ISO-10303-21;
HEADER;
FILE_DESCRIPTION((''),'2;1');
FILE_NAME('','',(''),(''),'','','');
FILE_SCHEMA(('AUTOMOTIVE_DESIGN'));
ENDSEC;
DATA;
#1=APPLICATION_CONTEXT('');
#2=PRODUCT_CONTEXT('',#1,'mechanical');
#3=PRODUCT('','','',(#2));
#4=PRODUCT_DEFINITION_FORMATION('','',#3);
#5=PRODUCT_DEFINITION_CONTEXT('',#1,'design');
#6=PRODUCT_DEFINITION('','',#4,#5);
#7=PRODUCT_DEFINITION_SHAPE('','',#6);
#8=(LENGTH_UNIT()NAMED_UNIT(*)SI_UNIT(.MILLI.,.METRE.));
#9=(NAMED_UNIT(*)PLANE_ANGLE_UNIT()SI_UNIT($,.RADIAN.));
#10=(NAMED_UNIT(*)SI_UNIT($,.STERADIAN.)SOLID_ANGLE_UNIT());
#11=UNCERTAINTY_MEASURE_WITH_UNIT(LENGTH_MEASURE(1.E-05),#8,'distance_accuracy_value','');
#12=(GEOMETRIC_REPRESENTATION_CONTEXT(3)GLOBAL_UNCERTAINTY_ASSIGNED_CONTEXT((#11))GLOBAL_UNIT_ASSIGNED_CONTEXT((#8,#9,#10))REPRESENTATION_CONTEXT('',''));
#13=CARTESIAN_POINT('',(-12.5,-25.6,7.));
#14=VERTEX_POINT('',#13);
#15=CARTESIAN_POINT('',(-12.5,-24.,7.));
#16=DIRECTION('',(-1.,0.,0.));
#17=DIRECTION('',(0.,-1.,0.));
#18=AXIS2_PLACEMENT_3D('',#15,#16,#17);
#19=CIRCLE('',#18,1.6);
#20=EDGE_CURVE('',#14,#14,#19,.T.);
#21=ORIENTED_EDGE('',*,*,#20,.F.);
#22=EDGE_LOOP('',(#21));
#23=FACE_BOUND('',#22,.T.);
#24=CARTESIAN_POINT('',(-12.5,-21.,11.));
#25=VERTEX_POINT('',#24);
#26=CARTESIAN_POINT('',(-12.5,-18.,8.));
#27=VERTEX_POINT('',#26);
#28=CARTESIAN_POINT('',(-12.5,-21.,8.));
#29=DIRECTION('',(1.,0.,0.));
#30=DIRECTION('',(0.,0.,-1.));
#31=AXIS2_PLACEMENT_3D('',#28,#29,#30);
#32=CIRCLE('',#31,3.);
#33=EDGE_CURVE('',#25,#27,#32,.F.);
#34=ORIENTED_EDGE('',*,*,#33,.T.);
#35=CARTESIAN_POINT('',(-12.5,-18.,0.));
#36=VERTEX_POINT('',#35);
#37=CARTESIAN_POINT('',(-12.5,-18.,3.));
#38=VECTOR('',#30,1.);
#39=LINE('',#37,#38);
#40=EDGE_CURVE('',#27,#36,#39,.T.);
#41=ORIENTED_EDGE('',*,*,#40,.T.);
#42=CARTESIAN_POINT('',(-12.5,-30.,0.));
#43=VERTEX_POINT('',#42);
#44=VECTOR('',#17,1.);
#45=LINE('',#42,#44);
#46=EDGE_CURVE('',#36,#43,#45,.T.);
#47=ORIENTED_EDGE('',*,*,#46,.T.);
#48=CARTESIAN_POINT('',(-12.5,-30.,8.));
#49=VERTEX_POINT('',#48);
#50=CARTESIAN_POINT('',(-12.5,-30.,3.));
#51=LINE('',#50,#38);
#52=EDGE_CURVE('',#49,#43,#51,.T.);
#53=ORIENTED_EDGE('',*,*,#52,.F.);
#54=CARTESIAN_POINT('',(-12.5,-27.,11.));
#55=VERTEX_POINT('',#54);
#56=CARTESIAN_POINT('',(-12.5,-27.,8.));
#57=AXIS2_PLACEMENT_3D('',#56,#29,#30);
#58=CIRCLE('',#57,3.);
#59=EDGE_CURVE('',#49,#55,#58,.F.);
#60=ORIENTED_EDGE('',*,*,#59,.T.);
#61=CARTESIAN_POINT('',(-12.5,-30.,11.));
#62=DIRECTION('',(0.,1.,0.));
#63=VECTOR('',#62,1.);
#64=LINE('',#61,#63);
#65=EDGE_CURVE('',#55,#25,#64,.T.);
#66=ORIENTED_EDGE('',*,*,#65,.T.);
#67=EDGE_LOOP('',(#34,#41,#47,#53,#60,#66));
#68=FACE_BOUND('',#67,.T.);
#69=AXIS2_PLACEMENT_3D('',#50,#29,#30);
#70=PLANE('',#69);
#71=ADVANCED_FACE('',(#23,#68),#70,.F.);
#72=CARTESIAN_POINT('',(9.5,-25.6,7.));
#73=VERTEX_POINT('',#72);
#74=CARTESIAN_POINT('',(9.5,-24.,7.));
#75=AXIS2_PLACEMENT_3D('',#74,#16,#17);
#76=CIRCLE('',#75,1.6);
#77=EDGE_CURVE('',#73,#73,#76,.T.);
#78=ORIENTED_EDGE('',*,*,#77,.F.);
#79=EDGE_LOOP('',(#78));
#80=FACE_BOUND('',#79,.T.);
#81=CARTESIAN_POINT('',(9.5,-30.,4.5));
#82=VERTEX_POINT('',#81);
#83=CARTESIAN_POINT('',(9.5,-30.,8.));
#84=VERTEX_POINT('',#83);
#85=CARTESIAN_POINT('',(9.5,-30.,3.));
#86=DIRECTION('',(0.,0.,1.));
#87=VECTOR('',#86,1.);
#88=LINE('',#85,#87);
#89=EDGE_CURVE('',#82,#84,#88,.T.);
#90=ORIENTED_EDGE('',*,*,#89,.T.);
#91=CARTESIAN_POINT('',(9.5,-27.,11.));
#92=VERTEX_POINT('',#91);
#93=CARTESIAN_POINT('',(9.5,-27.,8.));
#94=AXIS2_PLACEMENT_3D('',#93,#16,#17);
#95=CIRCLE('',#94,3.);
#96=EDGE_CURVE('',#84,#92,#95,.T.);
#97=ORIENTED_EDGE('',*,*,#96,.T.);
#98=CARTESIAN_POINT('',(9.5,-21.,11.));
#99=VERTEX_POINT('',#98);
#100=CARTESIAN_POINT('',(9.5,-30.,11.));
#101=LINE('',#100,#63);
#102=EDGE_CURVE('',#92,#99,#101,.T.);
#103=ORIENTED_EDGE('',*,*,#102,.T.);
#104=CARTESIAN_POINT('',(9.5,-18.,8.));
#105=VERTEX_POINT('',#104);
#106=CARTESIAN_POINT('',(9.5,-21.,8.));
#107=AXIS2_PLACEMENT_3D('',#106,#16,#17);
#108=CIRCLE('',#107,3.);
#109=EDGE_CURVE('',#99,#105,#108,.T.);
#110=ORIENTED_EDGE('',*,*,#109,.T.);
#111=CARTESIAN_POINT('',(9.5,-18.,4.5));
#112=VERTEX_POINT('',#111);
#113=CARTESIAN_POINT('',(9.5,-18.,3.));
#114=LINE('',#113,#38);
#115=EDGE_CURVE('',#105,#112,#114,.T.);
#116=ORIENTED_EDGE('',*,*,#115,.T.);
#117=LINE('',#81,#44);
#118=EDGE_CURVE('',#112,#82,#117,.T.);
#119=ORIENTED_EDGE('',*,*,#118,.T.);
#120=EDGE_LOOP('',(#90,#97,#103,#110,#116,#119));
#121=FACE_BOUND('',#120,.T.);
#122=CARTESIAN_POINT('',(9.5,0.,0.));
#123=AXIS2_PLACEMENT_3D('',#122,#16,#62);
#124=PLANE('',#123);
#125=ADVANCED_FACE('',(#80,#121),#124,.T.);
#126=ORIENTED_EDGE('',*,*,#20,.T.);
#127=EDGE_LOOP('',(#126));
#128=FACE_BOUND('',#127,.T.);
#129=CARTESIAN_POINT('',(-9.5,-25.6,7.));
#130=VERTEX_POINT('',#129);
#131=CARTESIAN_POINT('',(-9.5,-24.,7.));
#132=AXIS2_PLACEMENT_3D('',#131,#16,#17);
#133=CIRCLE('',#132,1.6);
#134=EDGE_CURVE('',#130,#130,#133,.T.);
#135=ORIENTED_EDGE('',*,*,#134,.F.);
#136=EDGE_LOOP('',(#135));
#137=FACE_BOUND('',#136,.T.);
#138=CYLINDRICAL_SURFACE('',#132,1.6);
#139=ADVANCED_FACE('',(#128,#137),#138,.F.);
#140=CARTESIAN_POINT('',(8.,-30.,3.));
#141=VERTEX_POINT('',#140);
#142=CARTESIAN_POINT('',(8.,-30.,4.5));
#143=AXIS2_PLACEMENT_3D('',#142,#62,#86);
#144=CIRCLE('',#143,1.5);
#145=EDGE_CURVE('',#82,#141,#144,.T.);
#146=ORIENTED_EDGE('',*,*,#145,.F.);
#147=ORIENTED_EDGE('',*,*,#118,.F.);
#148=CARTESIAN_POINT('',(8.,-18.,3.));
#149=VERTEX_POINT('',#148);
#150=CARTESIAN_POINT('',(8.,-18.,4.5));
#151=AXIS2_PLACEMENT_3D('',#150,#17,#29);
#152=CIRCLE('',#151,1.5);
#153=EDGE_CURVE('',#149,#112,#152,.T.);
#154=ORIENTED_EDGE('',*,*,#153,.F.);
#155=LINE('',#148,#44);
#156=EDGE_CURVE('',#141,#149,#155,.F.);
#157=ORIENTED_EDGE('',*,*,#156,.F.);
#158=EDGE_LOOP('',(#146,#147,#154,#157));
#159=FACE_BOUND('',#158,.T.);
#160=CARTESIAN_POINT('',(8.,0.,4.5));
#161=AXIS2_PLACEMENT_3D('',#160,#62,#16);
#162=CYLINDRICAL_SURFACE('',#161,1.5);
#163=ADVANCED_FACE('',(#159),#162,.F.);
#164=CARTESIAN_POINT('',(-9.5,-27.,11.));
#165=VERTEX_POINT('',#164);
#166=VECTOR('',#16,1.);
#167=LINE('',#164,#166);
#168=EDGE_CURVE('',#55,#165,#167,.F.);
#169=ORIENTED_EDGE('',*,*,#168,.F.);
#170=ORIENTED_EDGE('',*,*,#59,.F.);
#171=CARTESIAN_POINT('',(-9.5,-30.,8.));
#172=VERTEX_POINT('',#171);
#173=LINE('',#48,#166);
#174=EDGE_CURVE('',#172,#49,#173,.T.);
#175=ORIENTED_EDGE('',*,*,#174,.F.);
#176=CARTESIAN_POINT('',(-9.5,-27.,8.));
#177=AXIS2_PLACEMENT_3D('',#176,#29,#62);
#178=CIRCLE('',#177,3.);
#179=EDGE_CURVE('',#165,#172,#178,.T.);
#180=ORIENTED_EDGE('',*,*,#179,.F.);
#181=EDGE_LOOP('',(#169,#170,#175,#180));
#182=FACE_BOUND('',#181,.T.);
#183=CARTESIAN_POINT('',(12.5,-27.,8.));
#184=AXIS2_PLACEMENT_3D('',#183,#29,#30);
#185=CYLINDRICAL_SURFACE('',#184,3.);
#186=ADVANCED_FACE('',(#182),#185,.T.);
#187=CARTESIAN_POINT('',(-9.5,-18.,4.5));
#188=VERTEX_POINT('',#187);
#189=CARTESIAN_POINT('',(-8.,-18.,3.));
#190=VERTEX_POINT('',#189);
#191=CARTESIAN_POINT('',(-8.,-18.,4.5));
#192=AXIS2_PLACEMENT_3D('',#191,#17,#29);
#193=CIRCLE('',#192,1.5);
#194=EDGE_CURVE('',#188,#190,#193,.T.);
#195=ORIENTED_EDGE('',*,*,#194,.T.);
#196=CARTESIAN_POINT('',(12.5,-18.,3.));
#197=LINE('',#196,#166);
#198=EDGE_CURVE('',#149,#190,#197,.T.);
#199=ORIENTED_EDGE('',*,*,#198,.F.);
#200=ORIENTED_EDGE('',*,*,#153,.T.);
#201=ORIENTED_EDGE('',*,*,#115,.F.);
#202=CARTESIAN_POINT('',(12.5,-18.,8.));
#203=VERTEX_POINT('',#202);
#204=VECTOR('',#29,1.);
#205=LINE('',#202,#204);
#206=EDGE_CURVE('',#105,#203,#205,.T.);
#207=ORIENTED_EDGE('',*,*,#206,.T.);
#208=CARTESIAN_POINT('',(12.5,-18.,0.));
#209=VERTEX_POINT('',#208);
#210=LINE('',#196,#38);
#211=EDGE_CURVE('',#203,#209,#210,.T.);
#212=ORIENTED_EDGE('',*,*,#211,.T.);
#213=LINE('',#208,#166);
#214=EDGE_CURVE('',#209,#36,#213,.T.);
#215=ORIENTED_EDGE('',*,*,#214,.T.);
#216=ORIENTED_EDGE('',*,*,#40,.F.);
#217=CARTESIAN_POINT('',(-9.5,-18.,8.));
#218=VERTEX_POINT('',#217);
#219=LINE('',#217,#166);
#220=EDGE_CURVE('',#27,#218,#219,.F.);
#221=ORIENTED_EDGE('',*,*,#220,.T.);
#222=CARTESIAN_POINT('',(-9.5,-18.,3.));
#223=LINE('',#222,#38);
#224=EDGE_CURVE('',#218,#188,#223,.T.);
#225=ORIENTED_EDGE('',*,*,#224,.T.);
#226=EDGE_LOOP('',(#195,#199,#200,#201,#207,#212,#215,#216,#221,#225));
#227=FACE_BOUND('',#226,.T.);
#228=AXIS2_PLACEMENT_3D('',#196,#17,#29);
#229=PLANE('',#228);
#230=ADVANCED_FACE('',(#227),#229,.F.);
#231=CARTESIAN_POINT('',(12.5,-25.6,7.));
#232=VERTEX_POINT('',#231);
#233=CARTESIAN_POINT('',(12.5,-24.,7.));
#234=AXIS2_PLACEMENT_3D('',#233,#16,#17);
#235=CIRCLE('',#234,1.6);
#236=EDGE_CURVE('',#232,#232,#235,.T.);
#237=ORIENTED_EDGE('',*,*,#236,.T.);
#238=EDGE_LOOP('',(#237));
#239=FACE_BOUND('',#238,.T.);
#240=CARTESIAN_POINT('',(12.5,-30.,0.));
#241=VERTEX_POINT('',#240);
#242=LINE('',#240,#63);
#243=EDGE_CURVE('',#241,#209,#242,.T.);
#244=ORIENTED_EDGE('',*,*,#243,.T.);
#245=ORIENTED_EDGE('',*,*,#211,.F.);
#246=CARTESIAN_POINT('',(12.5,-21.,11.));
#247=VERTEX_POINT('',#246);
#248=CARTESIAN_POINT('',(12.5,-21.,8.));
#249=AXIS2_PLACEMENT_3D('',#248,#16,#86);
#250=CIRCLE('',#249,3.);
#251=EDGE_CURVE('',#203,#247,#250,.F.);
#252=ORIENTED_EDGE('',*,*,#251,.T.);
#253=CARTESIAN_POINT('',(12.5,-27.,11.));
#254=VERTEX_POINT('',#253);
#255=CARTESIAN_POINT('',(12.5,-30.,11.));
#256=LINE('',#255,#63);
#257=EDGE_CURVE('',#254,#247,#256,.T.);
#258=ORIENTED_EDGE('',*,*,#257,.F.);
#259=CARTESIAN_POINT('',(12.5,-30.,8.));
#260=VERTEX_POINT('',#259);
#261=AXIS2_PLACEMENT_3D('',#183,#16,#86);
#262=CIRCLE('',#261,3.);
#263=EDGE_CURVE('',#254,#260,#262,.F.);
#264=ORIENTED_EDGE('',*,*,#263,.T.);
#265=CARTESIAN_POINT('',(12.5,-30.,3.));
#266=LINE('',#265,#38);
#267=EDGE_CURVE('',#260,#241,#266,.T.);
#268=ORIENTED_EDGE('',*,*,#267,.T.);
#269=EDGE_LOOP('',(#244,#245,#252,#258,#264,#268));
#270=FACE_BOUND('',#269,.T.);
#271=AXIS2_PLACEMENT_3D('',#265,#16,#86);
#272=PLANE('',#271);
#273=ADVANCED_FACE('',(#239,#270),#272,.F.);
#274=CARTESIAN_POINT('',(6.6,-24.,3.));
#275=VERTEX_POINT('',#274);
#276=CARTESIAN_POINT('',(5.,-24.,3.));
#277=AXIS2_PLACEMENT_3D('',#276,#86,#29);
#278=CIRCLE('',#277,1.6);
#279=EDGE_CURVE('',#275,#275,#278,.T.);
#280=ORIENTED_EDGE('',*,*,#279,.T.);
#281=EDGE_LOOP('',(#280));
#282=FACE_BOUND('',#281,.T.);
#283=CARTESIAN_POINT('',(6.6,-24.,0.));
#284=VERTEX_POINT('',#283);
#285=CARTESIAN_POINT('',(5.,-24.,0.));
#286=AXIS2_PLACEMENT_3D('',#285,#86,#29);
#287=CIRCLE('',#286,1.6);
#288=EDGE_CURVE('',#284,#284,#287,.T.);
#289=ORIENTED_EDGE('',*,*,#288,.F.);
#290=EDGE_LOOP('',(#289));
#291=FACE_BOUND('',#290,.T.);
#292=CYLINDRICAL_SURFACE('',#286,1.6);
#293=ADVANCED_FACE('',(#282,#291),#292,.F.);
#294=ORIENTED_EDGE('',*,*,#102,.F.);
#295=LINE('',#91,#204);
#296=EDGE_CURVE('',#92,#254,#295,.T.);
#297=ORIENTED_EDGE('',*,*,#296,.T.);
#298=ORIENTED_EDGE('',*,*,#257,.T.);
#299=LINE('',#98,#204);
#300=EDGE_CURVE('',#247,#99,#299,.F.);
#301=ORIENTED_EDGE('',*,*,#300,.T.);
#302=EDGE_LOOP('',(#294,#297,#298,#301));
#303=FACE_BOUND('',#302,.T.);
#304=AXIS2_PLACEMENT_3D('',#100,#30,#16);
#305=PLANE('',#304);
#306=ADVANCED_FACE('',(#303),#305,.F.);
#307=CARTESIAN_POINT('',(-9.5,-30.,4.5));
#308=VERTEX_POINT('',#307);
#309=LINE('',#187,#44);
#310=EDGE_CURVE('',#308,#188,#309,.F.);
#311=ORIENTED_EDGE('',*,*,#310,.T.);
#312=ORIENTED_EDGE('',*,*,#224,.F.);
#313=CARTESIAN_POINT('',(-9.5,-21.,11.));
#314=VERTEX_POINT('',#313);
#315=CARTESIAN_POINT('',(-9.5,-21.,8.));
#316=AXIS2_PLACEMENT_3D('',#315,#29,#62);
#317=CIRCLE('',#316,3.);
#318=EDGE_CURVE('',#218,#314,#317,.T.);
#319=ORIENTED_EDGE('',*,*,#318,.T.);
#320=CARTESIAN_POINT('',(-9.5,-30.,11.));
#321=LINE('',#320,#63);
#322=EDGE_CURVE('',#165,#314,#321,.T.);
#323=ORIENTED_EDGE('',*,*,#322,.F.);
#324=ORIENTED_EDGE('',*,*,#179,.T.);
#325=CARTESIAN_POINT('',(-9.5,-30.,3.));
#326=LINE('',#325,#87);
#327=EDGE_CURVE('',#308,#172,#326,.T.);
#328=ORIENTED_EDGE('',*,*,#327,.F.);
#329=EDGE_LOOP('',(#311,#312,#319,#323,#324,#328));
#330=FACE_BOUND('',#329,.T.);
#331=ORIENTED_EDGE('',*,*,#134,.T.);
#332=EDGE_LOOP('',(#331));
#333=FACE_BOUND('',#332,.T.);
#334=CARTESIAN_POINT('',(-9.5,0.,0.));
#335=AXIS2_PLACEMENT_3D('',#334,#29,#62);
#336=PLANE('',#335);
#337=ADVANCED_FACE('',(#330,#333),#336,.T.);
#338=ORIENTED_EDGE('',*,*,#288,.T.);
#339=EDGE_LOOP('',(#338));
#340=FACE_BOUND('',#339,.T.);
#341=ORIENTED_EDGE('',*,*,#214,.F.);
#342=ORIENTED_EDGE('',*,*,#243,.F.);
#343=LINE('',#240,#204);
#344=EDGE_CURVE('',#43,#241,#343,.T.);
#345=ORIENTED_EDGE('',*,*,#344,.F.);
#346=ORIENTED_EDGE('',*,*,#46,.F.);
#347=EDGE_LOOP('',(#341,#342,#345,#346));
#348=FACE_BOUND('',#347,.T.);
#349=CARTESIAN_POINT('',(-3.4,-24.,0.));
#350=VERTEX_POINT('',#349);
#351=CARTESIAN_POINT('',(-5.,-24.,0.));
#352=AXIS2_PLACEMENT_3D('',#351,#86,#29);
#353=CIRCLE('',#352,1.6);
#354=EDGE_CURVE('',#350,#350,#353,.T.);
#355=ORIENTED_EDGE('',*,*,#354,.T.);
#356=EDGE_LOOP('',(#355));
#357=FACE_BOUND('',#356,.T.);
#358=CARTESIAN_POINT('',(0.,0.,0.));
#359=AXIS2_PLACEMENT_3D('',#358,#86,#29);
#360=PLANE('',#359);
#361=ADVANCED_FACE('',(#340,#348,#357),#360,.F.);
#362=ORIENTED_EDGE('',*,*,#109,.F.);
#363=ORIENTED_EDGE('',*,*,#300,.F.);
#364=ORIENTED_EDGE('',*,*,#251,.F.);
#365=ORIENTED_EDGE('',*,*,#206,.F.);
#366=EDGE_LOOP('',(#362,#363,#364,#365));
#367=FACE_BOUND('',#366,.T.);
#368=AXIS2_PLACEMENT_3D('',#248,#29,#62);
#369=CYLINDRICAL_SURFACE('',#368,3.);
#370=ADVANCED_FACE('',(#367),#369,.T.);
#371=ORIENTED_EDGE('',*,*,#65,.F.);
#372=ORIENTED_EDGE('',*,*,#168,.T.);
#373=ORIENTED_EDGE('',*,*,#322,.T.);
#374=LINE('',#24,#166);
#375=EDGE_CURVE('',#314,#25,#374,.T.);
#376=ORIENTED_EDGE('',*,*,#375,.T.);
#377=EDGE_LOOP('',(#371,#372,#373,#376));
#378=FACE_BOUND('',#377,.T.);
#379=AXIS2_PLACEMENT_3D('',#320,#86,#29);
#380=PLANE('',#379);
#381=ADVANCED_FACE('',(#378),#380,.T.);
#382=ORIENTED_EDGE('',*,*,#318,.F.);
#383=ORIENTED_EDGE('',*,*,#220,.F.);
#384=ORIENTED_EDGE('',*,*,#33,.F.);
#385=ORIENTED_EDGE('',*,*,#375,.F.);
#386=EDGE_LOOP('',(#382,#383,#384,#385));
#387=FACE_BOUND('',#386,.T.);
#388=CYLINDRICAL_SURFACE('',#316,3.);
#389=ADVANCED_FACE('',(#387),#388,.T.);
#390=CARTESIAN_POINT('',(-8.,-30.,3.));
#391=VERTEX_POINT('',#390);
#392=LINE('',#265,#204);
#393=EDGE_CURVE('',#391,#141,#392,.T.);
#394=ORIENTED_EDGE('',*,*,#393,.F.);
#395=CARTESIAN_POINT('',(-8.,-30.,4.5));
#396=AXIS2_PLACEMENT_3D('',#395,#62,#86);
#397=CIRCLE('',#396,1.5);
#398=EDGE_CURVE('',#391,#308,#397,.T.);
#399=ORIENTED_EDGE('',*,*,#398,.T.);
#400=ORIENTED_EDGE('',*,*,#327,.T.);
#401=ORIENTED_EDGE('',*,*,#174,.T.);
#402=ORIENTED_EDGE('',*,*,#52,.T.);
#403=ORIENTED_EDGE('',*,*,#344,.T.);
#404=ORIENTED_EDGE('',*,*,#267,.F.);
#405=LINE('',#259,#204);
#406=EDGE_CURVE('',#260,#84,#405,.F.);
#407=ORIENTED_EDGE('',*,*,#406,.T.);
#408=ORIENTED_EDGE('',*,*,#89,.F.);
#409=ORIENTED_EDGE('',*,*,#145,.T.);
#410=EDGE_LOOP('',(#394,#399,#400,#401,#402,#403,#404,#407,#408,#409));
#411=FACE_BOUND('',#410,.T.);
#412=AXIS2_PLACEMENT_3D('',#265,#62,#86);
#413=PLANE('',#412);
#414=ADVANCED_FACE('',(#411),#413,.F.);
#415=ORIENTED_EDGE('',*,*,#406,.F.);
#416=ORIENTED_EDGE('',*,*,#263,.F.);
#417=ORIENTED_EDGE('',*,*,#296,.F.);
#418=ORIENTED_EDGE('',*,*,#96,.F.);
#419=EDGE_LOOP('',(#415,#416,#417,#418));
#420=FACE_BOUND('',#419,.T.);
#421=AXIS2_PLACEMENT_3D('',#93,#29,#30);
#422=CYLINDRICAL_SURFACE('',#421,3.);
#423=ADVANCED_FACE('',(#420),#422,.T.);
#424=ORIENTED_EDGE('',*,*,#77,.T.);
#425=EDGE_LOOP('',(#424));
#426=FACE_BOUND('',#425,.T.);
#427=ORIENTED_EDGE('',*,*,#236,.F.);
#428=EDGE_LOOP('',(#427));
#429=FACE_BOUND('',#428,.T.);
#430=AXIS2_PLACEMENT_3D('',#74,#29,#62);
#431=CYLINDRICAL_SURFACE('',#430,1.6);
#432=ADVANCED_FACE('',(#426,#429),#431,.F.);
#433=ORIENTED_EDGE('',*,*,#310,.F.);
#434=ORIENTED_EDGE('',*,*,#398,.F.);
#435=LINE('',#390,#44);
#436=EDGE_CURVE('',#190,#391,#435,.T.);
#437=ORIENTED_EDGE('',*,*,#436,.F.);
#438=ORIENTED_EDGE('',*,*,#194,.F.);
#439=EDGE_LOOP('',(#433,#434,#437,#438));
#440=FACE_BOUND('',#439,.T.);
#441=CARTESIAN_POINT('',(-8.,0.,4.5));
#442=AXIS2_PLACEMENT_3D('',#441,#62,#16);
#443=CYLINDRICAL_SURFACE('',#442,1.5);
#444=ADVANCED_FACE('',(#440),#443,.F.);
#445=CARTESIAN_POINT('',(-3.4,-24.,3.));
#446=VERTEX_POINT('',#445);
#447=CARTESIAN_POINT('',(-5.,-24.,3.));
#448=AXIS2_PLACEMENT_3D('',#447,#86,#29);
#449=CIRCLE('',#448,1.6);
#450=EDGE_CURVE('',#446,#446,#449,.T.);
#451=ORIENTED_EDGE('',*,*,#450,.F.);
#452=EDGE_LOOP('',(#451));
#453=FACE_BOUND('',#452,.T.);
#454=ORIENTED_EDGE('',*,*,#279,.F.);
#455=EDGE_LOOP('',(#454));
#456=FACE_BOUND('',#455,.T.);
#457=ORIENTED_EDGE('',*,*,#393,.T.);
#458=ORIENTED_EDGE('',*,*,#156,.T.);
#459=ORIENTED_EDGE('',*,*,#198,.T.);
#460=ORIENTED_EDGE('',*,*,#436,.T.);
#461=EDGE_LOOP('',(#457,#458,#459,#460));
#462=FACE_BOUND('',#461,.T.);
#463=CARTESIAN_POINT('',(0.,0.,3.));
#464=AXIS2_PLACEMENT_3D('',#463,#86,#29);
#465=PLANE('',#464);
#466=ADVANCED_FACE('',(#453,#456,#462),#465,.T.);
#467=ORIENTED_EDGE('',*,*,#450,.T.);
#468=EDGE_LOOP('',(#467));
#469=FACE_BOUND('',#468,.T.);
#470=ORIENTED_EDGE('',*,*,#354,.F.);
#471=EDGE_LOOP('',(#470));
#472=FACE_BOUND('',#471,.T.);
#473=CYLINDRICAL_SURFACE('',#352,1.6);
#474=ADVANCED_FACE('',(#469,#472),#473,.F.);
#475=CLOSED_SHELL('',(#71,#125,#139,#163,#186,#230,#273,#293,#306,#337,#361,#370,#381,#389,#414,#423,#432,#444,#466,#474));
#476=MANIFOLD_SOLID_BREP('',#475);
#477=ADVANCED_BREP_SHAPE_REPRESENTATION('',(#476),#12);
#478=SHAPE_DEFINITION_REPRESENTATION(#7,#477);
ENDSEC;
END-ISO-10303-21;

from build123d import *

# Parameters (mm, degrees)
SKETCH_1_W             = 25
SKETCH_1_H             = 12
EXTRUDE_1_DEPTH        = 3
SKETCH_2_W             = 8
SKETCH_2_H             = 12
EXTRUDE_2_DEPTH        = 3
FILLET_1_R             = 3
FILLET_2_R             = 1.5
SKETCH_3_R             = 1.6
CUT_EXTRUDE_1_DEPTH    = 3
FILLET_1_OF_MIRROR_1_R = 3
FILLET_2_OF_MIRROR_1_R = 1.5
SKETCH_4_R             = 1.6
CUT_EXTRUDE_2_DEPTH    = 3


with BuildPart() as part:
    # 草图1 → 凸台-拉伸1 (new body)
    with BuildSketch(Plane.XY):
        with Locations((0, -24)):
            Rectangle(SKETCH_1_W, SKETCH_1_H)
    extrude(amount=EXTRUDE_1_DEPTH)

    # 草图2 → 凸台-拉伸2 (add)
    with BuildSketch(Plane.ZY.offset(12.5)):
        with Locations((7, -24)):
            Rectangle(SKETCH_2_W, SKETCH_2_H)
    extrude_2 = extrude(amount=-EXTRUDE_2_DEPTH)

    # 圆角1
    fillet_1_edges = [part.edges().sort_by_distance(p)[0] for p in [
        (-11, -18, 11),
        (-11, -30, 11),
    ]]
    fillet(fillet_1_edges, radius=FILLET_1_R)

    # 圆角2
    fillet_2_edges = [part.edges().sort_by_distance(p)[0] for p in [
        (-9.5, -24, 3),
    ]]
    fillet(fillet_2_edges, radius=FILLET_2_R)

    # 草图3 → 切除-拉伸1 (cut)
    with BuildSketch(Plane.ZY.offset(12.5)):
        with Locations(Location((7, -24, 0), (0, 0, 270))):
            Circle(SKETCH_3_R)
    cut_extrude_1 = extrude(amount=-CUT_EXTRUDE_1_DEPTH, mode=Mode.SUBTRACT)

    # 镜向1: 凸台-拉伸2, 切除-拉伸1 across plane
    add(extrude_2.mirror(Plane(origin=(0, 0, 0), x_dir=(0, 0, 1), z_dir=(1, 0, 0))))
    add(cut_extrude_1.mirror(Plane(origin=(0, 0, 0), x_dir=(0, 0, 1), z_dir=(1, 0, 0))), mode=Mode.SUBTRACT)

    # 圆角1 of 镜向1
    fillet_1_of_mirror_1_edges = [part.edges().sort_by_distance(p)[0] for p in [
        (11, -18, 11),
        (11, -30, 11),
    ]]
    fillet(fillet_1_of_mirror_1_edges, radius=FILLET_1_OF_MIRROR_1_R)

    # 圆角2 of 镜向1
    fillet_2_of_mirror_1_edges = [part.edges().sort_by_distance(p)[0] for p in [
        (9.5, -24, 3),
    ]]
    fillet(fillet_2_of_mirror_1_edges, radius=FILLET_2_OF_MIRROR_1_R)

    # 草图4 → 切除-拉伸2 (cut)
    with BuildSketch(Plane.XY.offset(3)):
        with Locations((5, -24)):
            Circle(SKETCH_4_R)
        with Locations((-5, -24)):
            Circle(SKETCH_4_R)
    extrude(amount=-CUT_EXTRUDE_2_DEPTH, mode=Mode.SUBTRACT)


solid = part.part
